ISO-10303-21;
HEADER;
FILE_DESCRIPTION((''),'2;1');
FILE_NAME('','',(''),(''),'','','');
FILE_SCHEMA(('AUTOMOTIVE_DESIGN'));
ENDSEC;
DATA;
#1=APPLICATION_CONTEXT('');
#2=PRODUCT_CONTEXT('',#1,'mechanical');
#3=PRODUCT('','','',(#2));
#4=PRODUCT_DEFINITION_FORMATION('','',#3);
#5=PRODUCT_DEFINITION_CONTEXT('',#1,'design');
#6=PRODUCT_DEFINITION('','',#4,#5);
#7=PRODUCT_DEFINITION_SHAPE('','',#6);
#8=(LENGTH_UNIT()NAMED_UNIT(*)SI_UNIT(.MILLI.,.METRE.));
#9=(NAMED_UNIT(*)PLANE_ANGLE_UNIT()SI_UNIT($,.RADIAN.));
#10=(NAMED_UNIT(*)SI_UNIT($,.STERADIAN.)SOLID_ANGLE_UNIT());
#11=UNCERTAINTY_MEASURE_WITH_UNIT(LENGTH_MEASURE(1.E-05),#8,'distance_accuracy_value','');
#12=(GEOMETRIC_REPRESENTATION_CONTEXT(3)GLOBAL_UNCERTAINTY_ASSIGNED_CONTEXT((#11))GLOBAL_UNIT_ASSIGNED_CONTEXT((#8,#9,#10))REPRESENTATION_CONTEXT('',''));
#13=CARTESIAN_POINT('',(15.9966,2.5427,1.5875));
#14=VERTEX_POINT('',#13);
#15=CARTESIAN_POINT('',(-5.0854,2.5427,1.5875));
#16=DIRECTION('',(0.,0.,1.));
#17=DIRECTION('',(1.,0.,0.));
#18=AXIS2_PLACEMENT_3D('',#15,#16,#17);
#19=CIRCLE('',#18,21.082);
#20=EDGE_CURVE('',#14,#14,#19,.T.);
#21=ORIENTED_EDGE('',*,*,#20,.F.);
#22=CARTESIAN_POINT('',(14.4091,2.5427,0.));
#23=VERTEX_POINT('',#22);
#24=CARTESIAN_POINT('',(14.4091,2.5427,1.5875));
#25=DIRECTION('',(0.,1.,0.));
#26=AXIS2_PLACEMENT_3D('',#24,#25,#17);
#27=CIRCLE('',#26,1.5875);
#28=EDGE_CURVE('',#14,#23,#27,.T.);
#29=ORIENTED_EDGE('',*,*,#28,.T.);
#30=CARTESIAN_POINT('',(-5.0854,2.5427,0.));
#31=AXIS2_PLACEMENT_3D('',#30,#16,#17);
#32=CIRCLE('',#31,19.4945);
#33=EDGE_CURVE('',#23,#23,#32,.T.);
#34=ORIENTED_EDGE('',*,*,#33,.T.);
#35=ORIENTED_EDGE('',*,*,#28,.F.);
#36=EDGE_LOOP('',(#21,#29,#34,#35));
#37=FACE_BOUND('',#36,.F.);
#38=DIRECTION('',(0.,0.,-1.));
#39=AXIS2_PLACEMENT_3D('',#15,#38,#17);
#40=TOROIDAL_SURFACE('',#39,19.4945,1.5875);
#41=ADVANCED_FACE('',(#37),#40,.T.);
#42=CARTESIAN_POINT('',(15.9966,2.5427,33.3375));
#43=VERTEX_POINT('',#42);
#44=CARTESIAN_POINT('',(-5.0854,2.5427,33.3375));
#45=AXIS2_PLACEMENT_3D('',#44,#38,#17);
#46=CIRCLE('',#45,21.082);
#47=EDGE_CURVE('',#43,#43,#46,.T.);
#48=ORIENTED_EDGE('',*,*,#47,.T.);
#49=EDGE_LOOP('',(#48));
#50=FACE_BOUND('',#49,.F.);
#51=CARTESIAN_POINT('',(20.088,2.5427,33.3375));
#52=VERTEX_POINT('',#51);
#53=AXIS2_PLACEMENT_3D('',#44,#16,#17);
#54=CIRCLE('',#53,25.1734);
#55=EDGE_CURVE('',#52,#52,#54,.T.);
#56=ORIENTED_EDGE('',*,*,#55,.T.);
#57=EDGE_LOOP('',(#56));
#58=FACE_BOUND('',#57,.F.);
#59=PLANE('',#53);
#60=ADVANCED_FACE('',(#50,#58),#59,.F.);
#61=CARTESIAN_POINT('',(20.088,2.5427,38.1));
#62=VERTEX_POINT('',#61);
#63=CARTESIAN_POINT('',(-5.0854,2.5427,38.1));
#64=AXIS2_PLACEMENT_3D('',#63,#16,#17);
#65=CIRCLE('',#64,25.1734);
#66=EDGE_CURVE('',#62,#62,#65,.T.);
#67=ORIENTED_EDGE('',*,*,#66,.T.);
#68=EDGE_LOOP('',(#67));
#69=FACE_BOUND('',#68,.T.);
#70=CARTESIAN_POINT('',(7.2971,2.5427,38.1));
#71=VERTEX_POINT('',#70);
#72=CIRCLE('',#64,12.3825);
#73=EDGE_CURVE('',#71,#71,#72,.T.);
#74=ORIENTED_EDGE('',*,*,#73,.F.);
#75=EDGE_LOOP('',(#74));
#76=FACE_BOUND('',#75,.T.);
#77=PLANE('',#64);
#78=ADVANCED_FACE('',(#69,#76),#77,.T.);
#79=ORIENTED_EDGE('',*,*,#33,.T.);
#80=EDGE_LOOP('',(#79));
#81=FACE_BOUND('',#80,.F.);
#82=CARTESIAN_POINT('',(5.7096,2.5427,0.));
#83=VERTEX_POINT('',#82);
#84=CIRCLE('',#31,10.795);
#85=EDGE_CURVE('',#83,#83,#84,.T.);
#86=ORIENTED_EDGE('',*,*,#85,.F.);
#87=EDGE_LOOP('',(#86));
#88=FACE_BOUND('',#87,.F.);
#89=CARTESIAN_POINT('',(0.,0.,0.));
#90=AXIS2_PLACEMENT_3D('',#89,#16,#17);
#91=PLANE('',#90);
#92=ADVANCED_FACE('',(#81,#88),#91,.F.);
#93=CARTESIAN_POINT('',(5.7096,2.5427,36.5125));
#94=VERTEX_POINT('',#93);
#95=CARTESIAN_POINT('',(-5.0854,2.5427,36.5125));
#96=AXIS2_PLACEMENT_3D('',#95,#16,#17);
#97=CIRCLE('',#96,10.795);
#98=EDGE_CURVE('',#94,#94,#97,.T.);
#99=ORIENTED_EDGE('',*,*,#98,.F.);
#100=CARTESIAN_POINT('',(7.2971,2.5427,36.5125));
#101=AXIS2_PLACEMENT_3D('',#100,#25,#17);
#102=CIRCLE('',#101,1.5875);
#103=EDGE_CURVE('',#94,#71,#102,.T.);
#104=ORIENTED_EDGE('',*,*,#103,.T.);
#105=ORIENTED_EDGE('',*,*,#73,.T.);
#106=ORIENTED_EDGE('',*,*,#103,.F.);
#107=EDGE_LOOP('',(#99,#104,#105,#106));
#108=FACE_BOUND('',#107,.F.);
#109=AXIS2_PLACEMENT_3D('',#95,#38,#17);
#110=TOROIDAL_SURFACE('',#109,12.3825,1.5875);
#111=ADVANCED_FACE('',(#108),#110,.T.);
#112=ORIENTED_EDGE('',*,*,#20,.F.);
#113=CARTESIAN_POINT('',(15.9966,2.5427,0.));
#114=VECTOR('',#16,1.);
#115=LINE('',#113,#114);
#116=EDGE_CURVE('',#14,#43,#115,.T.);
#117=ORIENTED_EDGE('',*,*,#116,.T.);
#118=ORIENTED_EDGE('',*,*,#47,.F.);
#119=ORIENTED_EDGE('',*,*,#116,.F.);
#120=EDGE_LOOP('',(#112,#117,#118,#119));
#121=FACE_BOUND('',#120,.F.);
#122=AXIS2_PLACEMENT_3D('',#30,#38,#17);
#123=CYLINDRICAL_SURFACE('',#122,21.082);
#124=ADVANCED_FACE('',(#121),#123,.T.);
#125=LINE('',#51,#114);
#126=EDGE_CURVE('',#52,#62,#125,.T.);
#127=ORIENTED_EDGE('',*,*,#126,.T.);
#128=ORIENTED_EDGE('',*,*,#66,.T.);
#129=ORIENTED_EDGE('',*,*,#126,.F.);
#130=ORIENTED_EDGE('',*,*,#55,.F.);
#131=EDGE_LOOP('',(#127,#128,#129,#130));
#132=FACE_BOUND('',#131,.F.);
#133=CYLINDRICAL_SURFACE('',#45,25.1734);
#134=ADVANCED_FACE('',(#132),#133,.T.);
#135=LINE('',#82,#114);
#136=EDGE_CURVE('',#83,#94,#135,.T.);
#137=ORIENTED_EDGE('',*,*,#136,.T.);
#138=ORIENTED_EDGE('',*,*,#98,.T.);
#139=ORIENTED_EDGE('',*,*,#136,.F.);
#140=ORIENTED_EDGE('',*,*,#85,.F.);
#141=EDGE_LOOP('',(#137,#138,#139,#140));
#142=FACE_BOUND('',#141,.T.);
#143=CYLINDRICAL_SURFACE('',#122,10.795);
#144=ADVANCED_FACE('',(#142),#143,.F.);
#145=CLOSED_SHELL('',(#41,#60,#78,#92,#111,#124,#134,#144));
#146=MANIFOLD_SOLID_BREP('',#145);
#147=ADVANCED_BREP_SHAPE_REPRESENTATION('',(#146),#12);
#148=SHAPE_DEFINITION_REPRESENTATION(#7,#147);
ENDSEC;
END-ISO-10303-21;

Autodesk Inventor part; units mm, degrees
ref_plane "YZ Plane" through (0, 0, 0) normal (1, 0, 0) x (0, 1, 0)
ref_plane "XZ Plane" through (0, 0, 0) normal (0, 1, 0) x (-1, 0, 0)
ref_plane "XY Plane" through (0, 0, 0) normal (0, 0, 1) x (1, 0, 0)
sketch "Sketch1" plane through (0, 0, 0) normal (0, 0, 1) x (1, 0, 0)
  circle A0 centre (-5.0854, 2.5427) radius 10.795
  circle A1 centre (-5.0854, 2.5427) radius 21.082
  point P0 (0, 0)
  dimension "d0" = 21.59
  dimension "d1" = 42.164
extrude "Extrusion1" add sketch "Sketch1" along normal blind 38.1
ref_plane "Work Plane1" through (-5.0854, 2.5427, 33.3375) normal (0, 0, 1) x (1, 0, 0)
sketch "Sketch2" plane through (-5.0854, 2.5427, 33.3375) normal (0, 0, 1) x (1, 0, 0)
  circle A0 centre (0, 0) radius 10.795
  circle A1 centre (0, 0) radius 25.1734
  point P0 (5.0854, -2.5427)
extrude "Extrusion2" add sketch "Sketch2" along normal blind 4.7625
fillet "Fillet1" radius 1.5875 2 edges at (-15.8804, 2.5427, 38.1) (-26.1674, 2.5427, 0)
properties part number "pvcconnector"
